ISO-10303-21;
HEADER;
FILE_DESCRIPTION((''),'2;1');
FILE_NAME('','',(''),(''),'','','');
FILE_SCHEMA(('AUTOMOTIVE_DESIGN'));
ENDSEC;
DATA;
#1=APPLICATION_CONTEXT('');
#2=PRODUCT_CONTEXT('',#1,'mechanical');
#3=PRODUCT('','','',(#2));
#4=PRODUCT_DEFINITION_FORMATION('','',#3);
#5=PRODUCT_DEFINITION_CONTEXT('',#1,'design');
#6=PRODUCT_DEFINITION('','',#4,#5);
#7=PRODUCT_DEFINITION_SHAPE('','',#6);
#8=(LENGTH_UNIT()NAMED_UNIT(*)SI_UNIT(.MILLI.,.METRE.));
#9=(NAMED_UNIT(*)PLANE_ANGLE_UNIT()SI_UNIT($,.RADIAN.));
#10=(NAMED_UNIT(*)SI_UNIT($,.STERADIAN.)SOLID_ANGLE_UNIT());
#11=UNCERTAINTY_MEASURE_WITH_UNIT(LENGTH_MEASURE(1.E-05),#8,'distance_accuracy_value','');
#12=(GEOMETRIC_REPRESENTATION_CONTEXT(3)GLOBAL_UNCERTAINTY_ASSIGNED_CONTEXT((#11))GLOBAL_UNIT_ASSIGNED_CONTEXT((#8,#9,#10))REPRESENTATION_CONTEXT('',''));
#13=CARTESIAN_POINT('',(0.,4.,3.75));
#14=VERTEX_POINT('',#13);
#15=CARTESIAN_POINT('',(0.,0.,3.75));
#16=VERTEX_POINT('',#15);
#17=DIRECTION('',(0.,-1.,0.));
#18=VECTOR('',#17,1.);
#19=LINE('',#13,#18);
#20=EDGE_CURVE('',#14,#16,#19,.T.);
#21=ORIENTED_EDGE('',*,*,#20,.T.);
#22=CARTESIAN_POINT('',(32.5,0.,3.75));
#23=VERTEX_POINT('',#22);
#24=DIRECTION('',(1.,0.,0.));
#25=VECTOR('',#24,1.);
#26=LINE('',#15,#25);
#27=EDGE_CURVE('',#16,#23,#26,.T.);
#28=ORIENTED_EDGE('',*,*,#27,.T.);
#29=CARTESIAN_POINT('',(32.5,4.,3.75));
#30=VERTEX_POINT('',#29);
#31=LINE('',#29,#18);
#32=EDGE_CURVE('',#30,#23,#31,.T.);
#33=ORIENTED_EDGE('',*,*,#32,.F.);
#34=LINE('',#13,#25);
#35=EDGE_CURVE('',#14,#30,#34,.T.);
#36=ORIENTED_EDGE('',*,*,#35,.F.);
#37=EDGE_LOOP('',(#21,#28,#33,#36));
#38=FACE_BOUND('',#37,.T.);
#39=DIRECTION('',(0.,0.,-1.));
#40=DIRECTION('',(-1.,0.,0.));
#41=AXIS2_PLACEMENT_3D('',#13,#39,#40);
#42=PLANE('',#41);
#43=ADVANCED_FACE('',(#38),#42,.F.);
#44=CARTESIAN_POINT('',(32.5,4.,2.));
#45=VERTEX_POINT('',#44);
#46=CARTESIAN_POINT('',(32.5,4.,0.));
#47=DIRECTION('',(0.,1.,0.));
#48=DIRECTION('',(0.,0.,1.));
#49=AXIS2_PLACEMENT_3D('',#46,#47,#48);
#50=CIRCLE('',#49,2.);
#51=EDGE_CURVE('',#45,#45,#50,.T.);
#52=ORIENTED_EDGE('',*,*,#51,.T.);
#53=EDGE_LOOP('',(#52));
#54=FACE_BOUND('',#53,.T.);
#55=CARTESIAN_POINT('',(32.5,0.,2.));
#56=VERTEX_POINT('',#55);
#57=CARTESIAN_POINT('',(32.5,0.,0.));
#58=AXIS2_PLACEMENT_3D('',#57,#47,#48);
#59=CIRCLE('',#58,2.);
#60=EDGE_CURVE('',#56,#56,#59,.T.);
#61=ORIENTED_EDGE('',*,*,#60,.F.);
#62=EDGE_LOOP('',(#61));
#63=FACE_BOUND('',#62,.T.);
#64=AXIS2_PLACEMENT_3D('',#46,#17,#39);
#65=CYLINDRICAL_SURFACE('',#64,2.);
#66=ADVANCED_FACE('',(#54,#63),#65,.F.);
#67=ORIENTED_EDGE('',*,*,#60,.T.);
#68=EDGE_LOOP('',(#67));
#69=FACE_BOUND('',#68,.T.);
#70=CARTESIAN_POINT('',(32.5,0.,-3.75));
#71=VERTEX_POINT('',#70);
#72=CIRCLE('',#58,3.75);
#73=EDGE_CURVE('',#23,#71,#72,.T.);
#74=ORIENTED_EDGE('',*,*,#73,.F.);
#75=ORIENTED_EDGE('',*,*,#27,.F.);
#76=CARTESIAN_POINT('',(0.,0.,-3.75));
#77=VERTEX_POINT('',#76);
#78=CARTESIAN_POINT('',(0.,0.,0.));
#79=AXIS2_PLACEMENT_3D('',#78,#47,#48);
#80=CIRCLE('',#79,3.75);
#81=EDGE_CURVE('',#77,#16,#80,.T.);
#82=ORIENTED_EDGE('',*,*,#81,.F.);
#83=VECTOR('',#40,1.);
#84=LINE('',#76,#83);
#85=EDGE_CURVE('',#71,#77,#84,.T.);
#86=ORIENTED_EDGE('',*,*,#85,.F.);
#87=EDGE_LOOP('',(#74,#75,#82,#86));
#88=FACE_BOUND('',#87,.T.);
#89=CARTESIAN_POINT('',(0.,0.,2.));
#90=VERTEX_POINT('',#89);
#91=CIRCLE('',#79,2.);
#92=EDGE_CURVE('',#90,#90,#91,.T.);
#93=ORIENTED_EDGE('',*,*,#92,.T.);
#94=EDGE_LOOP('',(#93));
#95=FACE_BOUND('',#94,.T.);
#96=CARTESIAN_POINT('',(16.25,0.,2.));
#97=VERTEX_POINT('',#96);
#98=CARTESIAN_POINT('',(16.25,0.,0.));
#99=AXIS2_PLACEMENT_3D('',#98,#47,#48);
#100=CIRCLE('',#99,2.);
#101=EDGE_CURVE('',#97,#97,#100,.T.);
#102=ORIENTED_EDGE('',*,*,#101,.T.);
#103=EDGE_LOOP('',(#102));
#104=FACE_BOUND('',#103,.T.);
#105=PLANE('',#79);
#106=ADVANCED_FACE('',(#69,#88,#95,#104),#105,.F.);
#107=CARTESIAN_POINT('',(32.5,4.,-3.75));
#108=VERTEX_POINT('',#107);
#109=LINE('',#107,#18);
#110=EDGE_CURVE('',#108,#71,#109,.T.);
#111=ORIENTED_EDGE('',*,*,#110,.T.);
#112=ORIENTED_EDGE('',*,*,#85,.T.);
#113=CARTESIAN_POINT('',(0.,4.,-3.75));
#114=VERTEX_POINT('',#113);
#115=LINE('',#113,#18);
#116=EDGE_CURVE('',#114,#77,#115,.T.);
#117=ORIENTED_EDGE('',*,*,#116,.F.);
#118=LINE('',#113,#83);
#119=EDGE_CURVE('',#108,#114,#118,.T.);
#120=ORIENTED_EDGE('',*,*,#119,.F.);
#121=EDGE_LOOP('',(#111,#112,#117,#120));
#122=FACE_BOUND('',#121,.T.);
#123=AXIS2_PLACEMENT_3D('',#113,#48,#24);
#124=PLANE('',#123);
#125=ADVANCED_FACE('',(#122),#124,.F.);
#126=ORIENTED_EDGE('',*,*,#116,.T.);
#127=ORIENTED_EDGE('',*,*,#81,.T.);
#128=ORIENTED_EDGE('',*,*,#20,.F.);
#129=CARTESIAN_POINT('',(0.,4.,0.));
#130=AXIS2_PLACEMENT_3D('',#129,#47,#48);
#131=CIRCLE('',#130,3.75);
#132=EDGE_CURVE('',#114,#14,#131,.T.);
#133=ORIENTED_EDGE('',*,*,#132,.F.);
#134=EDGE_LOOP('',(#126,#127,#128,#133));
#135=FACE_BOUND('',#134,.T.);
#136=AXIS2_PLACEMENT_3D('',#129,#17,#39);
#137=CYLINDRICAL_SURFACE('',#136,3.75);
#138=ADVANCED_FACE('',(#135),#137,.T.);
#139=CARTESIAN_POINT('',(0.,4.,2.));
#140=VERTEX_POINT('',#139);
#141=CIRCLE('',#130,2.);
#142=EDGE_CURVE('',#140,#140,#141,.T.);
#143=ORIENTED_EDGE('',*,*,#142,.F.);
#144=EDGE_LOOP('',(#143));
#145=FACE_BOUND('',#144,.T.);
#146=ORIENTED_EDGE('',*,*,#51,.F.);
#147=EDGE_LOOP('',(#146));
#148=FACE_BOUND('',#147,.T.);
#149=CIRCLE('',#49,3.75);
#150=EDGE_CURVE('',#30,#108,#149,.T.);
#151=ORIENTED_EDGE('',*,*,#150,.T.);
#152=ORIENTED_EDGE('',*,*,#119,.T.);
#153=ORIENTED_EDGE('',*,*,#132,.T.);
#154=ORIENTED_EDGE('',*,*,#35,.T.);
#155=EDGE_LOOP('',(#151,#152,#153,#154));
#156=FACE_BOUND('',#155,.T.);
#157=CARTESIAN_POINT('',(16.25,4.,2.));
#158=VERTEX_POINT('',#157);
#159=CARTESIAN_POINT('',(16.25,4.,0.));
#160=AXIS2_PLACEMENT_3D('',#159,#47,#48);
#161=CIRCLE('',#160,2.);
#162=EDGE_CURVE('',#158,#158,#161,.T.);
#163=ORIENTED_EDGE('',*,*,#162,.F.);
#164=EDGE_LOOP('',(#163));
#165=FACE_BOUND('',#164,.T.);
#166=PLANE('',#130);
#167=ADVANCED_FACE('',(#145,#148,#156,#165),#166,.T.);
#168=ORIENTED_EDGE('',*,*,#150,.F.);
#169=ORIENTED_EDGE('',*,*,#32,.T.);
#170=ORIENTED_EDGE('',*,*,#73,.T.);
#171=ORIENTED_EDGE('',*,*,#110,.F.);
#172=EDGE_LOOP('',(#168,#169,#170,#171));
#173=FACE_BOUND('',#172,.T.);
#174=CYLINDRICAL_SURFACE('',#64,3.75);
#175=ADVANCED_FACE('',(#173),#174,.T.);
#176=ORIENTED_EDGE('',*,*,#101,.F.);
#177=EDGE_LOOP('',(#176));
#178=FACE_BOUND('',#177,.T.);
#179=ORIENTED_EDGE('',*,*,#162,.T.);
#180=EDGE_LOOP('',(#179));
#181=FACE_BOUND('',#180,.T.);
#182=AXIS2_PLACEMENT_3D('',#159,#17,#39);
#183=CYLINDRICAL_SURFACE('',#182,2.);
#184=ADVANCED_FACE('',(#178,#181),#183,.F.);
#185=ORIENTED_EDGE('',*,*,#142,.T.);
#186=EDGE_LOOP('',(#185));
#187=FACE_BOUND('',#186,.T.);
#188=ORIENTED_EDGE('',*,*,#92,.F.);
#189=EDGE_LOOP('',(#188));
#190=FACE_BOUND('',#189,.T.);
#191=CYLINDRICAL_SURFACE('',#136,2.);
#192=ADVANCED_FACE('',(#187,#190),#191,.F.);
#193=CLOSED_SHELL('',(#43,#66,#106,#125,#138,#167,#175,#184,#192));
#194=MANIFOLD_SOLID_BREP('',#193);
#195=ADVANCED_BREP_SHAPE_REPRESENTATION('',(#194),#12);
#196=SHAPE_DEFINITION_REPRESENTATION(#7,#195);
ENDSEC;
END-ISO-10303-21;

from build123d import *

# Parameters (mm, degrees)
SKETCH1_R           = 2
BOSS_EXTRUDE1_DEPTH = 4


with BuildPart() as part:
    # Sketch1 → Boss-Extrude1 (new body)
    with BuildSketch(Plane(origin=(0, 0, 0), x_dir=(1, 0, 0), z_dir=(0, 1, 0))):
        with BuildLine():
            Line((0, 3.75), (32.5, 3.75))
            ThreePointArc((32.5, 3.75), (36.25, 0), (32.5, -3.75))
            Line((32.5, -3.75), (0, -3.75))
            ThreePointArc((0, -3.75), (-3.75, 0), (0, 3.75))
        make_face()
        Circle(SKETCH1_R, mode=Mode.SUBTRACT)
        with Locations((16.25, 0)):
            Circle(SKETCH1_R, mode=Mode.SUBTRACT)
        with Locations((32.5, 0)):
            Circle(SKETCH1_R, mode=Mode.SUBTRACT)
    extrude(amount=BOSS_EXTRUDE1_DEPTH)


solid = part.part
